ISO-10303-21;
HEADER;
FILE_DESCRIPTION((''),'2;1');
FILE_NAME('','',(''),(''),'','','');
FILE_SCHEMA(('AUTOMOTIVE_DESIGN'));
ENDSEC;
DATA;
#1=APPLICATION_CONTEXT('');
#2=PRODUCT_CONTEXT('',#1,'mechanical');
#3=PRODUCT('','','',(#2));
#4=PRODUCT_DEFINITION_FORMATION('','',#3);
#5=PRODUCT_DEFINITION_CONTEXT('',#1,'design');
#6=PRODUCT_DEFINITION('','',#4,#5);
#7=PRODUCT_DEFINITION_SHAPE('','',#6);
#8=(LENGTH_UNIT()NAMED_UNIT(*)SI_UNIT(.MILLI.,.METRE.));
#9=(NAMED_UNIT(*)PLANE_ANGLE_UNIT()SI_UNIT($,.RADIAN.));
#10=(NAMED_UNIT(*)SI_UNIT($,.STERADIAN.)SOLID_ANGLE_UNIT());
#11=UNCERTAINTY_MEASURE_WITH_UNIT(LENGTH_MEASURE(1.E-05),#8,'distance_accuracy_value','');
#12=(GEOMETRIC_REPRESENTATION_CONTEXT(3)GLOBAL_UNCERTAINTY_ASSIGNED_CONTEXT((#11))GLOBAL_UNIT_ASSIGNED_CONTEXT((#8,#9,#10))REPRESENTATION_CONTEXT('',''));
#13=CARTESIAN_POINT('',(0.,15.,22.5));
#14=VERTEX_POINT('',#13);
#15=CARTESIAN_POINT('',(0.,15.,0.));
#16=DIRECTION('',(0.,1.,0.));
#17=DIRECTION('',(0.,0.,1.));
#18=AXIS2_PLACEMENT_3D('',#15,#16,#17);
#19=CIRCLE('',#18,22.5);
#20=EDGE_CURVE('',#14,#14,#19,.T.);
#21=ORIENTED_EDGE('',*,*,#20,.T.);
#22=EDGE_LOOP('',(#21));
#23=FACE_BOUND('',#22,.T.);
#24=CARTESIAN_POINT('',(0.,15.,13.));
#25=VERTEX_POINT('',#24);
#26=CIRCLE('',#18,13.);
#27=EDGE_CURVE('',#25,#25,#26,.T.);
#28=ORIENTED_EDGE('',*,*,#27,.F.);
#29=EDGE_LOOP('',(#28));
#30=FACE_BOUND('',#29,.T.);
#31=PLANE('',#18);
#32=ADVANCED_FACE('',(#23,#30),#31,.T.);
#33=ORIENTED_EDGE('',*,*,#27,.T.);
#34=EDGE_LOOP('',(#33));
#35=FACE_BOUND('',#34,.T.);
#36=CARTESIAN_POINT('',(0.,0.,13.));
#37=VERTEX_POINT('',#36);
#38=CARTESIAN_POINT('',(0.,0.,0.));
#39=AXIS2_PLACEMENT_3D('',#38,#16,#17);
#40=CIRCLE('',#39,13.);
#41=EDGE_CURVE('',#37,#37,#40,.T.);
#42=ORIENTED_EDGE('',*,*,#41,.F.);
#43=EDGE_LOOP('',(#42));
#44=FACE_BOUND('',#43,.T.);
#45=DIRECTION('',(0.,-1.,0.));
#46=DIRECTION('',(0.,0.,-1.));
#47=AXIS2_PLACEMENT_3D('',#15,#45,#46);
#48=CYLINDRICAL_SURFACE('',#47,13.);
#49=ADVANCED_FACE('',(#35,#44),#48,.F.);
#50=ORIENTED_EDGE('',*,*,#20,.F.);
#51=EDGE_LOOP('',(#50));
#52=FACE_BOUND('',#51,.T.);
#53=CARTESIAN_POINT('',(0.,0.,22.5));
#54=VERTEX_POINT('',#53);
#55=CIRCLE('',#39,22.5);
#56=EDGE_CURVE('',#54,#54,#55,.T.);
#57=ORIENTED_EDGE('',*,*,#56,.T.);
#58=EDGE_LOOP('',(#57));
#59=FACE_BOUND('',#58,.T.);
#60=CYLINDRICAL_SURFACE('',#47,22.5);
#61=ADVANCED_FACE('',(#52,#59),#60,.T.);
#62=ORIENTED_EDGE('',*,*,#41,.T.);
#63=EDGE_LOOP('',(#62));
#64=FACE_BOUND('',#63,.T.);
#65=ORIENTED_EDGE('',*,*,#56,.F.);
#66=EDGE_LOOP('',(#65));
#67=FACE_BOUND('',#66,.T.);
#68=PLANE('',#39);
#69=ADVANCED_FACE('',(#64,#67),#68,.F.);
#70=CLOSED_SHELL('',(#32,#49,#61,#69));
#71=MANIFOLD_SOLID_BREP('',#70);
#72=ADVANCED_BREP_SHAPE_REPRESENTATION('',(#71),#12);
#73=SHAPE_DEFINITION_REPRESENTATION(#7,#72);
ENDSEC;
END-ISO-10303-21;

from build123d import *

# Parameters (mm, degrees)
SKETCH_1_R      = 22.5
SKETCH_1_R_2    = 13
EXTRUDE_1_DEPTH = 15


with BuildPart() as part:
    # 草图1 → 凸台-拉伸1 (new body)
    with BuildSketch(Plane(origin=(0, 0, 0), x_dir=(1, 0, 0), z_dir=(0, 1, 0))):
        Circle(SKETCH_1_R)
        Circle(SKETCH_1_R_2, mode=Mode.SUBTRACT)
    extrude(amount=EXTRUDE_1_DEPTH)


solid = part.part
